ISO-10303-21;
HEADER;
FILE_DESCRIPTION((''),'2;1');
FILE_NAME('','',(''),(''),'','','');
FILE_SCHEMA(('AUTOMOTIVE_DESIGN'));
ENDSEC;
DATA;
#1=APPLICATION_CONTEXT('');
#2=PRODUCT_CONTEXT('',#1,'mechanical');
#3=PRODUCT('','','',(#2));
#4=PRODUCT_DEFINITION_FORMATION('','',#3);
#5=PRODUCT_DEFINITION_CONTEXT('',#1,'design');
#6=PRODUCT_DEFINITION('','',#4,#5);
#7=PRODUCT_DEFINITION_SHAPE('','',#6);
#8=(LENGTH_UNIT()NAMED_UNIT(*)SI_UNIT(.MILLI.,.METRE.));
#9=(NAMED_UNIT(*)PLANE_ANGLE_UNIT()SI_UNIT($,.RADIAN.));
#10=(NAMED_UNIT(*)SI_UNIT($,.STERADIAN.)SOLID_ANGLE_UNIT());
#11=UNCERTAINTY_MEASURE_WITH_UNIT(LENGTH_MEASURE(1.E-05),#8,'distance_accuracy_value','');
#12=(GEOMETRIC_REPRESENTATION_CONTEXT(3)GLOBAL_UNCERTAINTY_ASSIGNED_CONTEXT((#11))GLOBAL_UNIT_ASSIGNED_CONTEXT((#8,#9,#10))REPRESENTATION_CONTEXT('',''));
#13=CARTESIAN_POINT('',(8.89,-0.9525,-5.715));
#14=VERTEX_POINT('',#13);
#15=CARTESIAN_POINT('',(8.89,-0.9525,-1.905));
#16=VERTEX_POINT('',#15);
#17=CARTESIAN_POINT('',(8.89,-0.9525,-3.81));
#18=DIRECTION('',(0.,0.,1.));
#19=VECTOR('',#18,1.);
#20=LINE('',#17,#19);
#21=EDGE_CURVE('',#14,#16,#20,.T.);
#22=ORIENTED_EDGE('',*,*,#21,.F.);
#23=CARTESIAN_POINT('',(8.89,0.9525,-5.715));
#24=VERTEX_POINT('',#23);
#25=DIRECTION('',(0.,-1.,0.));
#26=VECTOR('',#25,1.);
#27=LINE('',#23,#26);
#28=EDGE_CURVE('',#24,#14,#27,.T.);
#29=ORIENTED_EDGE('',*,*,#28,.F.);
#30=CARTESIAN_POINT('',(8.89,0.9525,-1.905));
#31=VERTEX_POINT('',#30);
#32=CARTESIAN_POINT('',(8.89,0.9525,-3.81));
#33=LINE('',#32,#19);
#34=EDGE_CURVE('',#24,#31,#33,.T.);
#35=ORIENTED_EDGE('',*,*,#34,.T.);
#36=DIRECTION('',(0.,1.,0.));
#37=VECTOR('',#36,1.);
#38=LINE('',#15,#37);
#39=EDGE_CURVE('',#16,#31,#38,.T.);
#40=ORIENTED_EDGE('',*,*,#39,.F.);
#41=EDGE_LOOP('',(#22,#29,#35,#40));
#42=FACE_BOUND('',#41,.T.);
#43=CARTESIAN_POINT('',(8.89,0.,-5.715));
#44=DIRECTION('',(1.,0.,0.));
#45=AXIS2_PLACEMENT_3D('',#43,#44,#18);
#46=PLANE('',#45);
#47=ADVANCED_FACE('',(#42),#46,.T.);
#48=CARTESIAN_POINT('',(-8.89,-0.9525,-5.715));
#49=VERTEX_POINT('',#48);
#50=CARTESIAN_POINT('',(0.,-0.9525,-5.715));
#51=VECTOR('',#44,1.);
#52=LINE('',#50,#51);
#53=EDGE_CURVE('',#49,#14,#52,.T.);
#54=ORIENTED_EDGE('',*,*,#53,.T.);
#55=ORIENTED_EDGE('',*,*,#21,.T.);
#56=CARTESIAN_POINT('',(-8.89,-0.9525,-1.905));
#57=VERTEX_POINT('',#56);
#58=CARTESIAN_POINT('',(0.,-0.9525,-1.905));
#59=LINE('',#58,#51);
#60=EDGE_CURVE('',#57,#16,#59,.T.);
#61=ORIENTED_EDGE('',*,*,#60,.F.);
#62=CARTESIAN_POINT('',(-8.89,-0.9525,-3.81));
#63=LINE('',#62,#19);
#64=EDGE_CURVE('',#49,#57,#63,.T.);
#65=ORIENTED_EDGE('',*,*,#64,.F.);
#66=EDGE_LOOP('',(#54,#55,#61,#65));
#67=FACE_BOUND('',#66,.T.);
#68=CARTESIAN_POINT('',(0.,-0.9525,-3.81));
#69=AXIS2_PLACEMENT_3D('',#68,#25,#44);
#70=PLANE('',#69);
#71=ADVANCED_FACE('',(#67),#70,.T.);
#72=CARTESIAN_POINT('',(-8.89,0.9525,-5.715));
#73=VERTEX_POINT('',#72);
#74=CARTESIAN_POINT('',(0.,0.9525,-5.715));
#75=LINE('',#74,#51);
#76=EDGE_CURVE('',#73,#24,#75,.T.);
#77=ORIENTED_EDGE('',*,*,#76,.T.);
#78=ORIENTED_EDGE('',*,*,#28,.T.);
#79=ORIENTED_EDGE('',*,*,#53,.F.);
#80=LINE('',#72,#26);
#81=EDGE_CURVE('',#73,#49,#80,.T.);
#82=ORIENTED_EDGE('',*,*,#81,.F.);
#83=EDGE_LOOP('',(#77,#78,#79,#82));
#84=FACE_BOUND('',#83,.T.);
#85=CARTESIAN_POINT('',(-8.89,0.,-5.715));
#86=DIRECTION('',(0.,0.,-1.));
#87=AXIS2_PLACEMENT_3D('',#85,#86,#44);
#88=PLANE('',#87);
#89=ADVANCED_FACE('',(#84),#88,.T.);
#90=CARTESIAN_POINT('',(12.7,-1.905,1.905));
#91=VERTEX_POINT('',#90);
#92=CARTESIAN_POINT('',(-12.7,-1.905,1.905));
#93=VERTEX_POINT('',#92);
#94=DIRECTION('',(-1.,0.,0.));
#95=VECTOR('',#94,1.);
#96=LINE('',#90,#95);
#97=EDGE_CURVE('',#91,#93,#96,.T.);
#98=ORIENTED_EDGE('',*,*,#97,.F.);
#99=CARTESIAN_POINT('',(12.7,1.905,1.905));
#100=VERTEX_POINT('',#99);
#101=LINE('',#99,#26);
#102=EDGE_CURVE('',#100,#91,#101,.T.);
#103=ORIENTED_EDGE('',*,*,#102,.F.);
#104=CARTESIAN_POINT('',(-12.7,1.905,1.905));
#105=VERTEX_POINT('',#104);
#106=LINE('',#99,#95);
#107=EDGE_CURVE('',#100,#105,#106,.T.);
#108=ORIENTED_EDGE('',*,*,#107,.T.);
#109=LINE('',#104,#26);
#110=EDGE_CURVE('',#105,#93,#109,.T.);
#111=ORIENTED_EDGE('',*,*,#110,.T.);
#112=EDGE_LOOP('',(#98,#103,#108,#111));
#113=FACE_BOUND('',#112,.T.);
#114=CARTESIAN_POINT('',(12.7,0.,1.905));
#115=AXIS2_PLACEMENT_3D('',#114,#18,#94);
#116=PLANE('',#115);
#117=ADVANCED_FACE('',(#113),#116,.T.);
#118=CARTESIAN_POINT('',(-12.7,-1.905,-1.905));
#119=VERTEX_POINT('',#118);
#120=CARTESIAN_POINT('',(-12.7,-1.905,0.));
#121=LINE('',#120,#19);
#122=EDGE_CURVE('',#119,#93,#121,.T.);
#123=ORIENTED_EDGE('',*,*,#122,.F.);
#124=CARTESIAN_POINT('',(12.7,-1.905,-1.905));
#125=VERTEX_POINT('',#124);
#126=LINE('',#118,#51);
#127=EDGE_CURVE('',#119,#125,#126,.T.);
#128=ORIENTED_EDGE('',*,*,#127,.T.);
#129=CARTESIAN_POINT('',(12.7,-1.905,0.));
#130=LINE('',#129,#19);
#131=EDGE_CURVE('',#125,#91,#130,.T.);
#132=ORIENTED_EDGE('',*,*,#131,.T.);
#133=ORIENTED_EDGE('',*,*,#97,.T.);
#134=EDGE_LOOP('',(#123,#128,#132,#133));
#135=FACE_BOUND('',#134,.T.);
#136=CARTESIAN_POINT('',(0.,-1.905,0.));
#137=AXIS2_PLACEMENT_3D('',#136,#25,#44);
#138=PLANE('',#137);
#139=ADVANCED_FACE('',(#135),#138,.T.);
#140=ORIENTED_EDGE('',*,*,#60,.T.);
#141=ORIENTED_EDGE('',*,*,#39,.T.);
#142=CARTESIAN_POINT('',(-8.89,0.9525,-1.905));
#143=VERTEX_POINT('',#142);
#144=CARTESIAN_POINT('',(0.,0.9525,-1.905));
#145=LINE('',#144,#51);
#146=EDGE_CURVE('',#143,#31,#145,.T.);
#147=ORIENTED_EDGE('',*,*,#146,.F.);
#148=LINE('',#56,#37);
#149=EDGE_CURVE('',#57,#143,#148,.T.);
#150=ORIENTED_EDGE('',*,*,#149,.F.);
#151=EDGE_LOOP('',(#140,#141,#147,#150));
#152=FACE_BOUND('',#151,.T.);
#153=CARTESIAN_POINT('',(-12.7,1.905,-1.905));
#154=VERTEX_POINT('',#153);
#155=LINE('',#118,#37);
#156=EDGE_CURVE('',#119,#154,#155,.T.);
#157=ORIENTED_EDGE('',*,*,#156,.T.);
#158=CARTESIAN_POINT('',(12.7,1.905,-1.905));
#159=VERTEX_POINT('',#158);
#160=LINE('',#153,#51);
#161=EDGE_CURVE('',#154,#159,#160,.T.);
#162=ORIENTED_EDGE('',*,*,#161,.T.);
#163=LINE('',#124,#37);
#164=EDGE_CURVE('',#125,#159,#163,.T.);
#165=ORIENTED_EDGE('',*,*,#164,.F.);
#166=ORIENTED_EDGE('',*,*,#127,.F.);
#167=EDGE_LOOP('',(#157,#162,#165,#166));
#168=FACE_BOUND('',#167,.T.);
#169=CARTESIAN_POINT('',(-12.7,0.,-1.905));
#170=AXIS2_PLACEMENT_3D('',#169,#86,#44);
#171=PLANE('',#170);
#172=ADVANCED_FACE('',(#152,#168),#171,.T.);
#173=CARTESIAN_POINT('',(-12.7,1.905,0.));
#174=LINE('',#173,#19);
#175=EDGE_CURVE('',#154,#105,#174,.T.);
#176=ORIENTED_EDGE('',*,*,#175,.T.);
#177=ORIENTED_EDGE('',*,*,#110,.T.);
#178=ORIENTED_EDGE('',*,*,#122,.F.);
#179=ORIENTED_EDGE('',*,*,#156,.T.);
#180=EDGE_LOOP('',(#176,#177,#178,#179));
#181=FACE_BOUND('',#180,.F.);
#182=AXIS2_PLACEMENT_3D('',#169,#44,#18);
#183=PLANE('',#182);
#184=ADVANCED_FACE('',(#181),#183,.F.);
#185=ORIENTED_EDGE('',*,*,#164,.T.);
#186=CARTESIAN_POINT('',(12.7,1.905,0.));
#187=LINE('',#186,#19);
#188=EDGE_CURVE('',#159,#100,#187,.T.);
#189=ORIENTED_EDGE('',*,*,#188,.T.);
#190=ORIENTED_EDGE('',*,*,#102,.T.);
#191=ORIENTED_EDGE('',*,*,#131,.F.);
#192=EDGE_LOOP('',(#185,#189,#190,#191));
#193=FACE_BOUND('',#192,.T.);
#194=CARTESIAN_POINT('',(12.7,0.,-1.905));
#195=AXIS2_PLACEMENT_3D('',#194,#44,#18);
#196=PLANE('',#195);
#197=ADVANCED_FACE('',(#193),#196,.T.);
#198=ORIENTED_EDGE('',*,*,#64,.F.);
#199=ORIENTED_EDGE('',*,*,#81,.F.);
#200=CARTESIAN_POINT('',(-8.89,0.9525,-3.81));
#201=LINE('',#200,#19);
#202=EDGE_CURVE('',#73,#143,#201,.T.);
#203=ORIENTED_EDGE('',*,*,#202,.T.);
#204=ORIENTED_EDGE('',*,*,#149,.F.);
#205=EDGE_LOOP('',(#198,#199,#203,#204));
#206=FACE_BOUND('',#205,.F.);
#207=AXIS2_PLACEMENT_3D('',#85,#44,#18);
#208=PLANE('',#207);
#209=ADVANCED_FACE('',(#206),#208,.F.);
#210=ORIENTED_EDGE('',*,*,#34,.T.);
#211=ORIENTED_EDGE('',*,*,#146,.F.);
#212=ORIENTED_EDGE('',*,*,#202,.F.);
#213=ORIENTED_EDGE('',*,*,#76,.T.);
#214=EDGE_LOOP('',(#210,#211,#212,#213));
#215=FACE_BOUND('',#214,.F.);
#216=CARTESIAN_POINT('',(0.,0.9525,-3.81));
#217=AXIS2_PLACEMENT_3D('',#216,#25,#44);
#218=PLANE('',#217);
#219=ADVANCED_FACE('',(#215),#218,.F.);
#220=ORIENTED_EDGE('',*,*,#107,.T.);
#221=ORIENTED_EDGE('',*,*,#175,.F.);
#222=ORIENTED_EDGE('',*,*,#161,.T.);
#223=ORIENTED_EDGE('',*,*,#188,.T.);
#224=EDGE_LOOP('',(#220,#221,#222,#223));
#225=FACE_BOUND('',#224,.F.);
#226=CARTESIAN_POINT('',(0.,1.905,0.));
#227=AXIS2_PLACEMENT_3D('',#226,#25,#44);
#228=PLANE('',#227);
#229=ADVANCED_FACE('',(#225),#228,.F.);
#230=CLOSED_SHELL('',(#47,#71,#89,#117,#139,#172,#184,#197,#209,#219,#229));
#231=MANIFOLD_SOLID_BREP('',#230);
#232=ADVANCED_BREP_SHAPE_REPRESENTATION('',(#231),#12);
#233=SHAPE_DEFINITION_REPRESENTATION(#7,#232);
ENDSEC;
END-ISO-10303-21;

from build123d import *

# Parameters (mm, degrees)
F0_W     = 17.78
F0_H     = 3.81
F0_W_2   = 3.81
F1_DEPTH = 1.905
F2_DEPTH = 0.9525


with BuildPart() as f1:
    # F0 (on Front) → F1 (new body, symmetric)
    with BuildSketch(Plane.XZ):
        Rectangle(F0_W, F0_H)
        with Locations((10.795, 0)):
            Rectangle(F0_W_2, F0_H)
        with Locations((-10.795, 0)):
            Rectangle(F0_W_2, F0_H)
    extrude(amount=F1_DEPTH, both=True)

    # F0 (on Front) → F2 (join, symmetric)
    with BuildSketch(Plane.XZ):
        with Locations((0, -3.81)):
            Rectangle(F0_W, F0_H)
    extrude(amount=F2_DEPTH, both=True)


solid = f1.part
